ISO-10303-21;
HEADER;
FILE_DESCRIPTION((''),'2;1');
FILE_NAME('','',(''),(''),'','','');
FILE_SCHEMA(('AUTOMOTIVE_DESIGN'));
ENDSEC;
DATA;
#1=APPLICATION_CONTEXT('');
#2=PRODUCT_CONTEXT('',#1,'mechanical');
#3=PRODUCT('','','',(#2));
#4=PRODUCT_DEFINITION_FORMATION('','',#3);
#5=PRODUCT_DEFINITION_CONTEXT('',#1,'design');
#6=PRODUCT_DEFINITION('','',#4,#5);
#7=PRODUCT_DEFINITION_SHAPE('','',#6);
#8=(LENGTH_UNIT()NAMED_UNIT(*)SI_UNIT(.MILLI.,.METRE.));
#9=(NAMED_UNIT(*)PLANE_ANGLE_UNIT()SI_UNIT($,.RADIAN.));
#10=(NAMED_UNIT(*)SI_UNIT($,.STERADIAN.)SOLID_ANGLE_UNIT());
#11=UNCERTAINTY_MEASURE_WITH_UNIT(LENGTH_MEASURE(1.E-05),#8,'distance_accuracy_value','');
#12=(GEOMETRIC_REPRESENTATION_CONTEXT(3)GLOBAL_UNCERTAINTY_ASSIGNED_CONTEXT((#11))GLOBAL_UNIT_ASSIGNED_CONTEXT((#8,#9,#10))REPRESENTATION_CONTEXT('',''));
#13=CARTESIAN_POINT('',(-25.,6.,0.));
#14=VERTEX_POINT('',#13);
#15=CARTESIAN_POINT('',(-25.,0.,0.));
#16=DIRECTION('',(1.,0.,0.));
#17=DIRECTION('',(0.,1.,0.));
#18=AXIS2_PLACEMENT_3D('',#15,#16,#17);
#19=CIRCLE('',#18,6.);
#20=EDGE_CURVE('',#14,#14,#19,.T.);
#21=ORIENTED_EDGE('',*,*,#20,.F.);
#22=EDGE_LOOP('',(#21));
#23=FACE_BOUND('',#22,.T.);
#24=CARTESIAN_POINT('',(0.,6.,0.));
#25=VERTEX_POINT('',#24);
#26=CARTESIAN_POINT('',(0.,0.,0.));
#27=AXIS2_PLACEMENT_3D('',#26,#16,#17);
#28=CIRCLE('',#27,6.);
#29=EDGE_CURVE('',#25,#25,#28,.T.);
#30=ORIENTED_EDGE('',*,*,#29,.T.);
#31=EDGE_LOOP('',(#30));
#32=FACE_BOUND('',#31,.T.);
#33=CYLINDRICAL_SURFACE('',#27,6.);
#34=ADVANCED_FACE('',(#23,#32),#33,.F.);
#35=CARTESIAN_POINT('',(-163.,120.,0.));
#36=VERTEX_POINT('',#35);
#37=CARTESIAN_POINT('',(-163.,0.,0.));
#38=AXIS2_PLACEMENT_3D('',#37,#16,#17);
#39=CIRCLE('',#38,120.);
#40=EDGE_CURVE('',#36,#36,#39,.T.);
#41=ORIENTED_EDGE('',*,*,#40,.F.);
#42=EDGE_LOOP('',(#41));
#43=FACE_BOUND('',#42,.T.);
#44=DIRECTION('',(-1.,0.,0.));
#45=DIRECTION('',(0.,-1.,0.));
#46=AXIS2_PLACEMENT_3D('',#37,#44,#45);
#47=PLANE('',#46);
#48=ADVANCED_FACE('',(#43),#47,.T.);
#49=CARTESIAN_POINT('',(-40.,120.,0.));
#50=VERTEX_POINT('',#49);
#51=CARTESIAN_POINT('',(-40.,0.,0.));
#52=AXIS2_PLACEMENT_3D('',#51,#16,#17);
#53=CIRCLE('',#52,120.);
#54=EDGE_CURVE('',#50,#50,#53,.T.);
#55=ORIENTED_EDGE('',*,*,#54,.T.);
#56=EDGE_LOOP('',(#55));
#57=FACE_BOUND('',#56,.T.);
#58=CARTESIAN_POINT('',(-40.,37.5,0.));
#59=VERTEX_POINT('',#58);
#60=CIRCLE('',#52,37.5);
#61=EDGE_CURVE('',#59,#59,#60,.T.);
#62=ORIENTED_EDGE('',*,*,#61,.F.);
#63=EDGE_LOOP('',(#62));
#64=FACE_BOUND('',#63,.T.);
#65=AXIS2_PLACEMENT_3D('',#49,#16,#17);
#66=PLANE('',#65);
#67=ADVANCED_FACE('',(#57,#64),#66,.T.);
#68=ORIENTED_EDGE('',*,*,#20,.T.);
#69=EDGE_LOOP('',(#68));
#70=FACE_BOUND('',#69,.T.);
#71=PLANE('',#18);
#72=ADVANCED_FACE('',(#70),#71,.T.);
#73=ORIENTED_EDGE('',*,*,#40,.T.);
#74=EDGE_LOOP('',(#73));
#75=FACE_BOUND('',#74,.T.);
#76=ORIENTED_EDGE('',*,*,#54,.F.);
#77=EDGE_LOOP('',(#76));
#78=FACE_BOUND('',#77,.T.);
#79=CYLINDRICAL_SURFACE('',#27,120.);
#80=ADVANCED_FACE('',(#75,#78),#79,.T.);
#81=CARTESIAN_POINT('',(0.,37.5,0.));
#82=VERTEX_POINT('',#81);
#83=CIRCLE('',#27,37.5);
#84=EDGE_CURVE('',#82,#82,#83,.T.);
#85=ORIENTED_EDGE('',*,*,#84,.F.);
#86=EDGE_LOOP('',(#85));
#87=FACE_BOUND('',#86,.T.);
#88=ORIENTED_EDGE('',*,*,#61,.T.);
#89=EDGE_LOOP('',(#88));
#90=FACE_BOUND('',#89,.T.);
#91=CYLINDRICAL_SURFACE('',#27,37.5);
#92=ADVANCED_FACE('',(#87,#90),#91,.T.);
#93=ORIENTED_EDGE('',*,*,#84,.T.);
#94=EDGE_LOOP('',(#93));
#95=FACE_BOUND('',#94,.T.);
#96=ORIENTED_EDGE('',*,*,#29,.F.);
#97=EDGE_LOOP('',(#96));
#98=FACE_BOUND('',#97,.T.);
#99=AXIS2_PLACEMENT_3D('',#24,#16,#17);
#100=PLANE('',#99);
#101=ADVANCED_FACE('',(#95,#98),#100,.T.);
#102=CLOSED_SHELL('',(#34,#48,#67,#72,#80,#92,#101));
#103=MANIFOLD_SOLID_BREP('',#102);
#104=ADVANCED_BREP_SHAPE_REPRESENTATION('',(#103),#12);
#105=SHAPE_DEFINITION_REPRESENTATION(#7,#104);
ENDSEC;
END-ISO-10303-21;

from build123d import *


with BuildPart() as part:
    # Sketch1 → Revolve1 (revolve)
    with BuildSketch(Plane.XY):
        Polygon((-25, 0), (-163, 0), (-163, 120), (-40, 120), (-40, 37.5), (0, 37.5), (0, 6), (-25, 6), align=None)
    revolve(axis=Axis((0, 0, 0), (-1, 0, 0)))


solid = part.part
